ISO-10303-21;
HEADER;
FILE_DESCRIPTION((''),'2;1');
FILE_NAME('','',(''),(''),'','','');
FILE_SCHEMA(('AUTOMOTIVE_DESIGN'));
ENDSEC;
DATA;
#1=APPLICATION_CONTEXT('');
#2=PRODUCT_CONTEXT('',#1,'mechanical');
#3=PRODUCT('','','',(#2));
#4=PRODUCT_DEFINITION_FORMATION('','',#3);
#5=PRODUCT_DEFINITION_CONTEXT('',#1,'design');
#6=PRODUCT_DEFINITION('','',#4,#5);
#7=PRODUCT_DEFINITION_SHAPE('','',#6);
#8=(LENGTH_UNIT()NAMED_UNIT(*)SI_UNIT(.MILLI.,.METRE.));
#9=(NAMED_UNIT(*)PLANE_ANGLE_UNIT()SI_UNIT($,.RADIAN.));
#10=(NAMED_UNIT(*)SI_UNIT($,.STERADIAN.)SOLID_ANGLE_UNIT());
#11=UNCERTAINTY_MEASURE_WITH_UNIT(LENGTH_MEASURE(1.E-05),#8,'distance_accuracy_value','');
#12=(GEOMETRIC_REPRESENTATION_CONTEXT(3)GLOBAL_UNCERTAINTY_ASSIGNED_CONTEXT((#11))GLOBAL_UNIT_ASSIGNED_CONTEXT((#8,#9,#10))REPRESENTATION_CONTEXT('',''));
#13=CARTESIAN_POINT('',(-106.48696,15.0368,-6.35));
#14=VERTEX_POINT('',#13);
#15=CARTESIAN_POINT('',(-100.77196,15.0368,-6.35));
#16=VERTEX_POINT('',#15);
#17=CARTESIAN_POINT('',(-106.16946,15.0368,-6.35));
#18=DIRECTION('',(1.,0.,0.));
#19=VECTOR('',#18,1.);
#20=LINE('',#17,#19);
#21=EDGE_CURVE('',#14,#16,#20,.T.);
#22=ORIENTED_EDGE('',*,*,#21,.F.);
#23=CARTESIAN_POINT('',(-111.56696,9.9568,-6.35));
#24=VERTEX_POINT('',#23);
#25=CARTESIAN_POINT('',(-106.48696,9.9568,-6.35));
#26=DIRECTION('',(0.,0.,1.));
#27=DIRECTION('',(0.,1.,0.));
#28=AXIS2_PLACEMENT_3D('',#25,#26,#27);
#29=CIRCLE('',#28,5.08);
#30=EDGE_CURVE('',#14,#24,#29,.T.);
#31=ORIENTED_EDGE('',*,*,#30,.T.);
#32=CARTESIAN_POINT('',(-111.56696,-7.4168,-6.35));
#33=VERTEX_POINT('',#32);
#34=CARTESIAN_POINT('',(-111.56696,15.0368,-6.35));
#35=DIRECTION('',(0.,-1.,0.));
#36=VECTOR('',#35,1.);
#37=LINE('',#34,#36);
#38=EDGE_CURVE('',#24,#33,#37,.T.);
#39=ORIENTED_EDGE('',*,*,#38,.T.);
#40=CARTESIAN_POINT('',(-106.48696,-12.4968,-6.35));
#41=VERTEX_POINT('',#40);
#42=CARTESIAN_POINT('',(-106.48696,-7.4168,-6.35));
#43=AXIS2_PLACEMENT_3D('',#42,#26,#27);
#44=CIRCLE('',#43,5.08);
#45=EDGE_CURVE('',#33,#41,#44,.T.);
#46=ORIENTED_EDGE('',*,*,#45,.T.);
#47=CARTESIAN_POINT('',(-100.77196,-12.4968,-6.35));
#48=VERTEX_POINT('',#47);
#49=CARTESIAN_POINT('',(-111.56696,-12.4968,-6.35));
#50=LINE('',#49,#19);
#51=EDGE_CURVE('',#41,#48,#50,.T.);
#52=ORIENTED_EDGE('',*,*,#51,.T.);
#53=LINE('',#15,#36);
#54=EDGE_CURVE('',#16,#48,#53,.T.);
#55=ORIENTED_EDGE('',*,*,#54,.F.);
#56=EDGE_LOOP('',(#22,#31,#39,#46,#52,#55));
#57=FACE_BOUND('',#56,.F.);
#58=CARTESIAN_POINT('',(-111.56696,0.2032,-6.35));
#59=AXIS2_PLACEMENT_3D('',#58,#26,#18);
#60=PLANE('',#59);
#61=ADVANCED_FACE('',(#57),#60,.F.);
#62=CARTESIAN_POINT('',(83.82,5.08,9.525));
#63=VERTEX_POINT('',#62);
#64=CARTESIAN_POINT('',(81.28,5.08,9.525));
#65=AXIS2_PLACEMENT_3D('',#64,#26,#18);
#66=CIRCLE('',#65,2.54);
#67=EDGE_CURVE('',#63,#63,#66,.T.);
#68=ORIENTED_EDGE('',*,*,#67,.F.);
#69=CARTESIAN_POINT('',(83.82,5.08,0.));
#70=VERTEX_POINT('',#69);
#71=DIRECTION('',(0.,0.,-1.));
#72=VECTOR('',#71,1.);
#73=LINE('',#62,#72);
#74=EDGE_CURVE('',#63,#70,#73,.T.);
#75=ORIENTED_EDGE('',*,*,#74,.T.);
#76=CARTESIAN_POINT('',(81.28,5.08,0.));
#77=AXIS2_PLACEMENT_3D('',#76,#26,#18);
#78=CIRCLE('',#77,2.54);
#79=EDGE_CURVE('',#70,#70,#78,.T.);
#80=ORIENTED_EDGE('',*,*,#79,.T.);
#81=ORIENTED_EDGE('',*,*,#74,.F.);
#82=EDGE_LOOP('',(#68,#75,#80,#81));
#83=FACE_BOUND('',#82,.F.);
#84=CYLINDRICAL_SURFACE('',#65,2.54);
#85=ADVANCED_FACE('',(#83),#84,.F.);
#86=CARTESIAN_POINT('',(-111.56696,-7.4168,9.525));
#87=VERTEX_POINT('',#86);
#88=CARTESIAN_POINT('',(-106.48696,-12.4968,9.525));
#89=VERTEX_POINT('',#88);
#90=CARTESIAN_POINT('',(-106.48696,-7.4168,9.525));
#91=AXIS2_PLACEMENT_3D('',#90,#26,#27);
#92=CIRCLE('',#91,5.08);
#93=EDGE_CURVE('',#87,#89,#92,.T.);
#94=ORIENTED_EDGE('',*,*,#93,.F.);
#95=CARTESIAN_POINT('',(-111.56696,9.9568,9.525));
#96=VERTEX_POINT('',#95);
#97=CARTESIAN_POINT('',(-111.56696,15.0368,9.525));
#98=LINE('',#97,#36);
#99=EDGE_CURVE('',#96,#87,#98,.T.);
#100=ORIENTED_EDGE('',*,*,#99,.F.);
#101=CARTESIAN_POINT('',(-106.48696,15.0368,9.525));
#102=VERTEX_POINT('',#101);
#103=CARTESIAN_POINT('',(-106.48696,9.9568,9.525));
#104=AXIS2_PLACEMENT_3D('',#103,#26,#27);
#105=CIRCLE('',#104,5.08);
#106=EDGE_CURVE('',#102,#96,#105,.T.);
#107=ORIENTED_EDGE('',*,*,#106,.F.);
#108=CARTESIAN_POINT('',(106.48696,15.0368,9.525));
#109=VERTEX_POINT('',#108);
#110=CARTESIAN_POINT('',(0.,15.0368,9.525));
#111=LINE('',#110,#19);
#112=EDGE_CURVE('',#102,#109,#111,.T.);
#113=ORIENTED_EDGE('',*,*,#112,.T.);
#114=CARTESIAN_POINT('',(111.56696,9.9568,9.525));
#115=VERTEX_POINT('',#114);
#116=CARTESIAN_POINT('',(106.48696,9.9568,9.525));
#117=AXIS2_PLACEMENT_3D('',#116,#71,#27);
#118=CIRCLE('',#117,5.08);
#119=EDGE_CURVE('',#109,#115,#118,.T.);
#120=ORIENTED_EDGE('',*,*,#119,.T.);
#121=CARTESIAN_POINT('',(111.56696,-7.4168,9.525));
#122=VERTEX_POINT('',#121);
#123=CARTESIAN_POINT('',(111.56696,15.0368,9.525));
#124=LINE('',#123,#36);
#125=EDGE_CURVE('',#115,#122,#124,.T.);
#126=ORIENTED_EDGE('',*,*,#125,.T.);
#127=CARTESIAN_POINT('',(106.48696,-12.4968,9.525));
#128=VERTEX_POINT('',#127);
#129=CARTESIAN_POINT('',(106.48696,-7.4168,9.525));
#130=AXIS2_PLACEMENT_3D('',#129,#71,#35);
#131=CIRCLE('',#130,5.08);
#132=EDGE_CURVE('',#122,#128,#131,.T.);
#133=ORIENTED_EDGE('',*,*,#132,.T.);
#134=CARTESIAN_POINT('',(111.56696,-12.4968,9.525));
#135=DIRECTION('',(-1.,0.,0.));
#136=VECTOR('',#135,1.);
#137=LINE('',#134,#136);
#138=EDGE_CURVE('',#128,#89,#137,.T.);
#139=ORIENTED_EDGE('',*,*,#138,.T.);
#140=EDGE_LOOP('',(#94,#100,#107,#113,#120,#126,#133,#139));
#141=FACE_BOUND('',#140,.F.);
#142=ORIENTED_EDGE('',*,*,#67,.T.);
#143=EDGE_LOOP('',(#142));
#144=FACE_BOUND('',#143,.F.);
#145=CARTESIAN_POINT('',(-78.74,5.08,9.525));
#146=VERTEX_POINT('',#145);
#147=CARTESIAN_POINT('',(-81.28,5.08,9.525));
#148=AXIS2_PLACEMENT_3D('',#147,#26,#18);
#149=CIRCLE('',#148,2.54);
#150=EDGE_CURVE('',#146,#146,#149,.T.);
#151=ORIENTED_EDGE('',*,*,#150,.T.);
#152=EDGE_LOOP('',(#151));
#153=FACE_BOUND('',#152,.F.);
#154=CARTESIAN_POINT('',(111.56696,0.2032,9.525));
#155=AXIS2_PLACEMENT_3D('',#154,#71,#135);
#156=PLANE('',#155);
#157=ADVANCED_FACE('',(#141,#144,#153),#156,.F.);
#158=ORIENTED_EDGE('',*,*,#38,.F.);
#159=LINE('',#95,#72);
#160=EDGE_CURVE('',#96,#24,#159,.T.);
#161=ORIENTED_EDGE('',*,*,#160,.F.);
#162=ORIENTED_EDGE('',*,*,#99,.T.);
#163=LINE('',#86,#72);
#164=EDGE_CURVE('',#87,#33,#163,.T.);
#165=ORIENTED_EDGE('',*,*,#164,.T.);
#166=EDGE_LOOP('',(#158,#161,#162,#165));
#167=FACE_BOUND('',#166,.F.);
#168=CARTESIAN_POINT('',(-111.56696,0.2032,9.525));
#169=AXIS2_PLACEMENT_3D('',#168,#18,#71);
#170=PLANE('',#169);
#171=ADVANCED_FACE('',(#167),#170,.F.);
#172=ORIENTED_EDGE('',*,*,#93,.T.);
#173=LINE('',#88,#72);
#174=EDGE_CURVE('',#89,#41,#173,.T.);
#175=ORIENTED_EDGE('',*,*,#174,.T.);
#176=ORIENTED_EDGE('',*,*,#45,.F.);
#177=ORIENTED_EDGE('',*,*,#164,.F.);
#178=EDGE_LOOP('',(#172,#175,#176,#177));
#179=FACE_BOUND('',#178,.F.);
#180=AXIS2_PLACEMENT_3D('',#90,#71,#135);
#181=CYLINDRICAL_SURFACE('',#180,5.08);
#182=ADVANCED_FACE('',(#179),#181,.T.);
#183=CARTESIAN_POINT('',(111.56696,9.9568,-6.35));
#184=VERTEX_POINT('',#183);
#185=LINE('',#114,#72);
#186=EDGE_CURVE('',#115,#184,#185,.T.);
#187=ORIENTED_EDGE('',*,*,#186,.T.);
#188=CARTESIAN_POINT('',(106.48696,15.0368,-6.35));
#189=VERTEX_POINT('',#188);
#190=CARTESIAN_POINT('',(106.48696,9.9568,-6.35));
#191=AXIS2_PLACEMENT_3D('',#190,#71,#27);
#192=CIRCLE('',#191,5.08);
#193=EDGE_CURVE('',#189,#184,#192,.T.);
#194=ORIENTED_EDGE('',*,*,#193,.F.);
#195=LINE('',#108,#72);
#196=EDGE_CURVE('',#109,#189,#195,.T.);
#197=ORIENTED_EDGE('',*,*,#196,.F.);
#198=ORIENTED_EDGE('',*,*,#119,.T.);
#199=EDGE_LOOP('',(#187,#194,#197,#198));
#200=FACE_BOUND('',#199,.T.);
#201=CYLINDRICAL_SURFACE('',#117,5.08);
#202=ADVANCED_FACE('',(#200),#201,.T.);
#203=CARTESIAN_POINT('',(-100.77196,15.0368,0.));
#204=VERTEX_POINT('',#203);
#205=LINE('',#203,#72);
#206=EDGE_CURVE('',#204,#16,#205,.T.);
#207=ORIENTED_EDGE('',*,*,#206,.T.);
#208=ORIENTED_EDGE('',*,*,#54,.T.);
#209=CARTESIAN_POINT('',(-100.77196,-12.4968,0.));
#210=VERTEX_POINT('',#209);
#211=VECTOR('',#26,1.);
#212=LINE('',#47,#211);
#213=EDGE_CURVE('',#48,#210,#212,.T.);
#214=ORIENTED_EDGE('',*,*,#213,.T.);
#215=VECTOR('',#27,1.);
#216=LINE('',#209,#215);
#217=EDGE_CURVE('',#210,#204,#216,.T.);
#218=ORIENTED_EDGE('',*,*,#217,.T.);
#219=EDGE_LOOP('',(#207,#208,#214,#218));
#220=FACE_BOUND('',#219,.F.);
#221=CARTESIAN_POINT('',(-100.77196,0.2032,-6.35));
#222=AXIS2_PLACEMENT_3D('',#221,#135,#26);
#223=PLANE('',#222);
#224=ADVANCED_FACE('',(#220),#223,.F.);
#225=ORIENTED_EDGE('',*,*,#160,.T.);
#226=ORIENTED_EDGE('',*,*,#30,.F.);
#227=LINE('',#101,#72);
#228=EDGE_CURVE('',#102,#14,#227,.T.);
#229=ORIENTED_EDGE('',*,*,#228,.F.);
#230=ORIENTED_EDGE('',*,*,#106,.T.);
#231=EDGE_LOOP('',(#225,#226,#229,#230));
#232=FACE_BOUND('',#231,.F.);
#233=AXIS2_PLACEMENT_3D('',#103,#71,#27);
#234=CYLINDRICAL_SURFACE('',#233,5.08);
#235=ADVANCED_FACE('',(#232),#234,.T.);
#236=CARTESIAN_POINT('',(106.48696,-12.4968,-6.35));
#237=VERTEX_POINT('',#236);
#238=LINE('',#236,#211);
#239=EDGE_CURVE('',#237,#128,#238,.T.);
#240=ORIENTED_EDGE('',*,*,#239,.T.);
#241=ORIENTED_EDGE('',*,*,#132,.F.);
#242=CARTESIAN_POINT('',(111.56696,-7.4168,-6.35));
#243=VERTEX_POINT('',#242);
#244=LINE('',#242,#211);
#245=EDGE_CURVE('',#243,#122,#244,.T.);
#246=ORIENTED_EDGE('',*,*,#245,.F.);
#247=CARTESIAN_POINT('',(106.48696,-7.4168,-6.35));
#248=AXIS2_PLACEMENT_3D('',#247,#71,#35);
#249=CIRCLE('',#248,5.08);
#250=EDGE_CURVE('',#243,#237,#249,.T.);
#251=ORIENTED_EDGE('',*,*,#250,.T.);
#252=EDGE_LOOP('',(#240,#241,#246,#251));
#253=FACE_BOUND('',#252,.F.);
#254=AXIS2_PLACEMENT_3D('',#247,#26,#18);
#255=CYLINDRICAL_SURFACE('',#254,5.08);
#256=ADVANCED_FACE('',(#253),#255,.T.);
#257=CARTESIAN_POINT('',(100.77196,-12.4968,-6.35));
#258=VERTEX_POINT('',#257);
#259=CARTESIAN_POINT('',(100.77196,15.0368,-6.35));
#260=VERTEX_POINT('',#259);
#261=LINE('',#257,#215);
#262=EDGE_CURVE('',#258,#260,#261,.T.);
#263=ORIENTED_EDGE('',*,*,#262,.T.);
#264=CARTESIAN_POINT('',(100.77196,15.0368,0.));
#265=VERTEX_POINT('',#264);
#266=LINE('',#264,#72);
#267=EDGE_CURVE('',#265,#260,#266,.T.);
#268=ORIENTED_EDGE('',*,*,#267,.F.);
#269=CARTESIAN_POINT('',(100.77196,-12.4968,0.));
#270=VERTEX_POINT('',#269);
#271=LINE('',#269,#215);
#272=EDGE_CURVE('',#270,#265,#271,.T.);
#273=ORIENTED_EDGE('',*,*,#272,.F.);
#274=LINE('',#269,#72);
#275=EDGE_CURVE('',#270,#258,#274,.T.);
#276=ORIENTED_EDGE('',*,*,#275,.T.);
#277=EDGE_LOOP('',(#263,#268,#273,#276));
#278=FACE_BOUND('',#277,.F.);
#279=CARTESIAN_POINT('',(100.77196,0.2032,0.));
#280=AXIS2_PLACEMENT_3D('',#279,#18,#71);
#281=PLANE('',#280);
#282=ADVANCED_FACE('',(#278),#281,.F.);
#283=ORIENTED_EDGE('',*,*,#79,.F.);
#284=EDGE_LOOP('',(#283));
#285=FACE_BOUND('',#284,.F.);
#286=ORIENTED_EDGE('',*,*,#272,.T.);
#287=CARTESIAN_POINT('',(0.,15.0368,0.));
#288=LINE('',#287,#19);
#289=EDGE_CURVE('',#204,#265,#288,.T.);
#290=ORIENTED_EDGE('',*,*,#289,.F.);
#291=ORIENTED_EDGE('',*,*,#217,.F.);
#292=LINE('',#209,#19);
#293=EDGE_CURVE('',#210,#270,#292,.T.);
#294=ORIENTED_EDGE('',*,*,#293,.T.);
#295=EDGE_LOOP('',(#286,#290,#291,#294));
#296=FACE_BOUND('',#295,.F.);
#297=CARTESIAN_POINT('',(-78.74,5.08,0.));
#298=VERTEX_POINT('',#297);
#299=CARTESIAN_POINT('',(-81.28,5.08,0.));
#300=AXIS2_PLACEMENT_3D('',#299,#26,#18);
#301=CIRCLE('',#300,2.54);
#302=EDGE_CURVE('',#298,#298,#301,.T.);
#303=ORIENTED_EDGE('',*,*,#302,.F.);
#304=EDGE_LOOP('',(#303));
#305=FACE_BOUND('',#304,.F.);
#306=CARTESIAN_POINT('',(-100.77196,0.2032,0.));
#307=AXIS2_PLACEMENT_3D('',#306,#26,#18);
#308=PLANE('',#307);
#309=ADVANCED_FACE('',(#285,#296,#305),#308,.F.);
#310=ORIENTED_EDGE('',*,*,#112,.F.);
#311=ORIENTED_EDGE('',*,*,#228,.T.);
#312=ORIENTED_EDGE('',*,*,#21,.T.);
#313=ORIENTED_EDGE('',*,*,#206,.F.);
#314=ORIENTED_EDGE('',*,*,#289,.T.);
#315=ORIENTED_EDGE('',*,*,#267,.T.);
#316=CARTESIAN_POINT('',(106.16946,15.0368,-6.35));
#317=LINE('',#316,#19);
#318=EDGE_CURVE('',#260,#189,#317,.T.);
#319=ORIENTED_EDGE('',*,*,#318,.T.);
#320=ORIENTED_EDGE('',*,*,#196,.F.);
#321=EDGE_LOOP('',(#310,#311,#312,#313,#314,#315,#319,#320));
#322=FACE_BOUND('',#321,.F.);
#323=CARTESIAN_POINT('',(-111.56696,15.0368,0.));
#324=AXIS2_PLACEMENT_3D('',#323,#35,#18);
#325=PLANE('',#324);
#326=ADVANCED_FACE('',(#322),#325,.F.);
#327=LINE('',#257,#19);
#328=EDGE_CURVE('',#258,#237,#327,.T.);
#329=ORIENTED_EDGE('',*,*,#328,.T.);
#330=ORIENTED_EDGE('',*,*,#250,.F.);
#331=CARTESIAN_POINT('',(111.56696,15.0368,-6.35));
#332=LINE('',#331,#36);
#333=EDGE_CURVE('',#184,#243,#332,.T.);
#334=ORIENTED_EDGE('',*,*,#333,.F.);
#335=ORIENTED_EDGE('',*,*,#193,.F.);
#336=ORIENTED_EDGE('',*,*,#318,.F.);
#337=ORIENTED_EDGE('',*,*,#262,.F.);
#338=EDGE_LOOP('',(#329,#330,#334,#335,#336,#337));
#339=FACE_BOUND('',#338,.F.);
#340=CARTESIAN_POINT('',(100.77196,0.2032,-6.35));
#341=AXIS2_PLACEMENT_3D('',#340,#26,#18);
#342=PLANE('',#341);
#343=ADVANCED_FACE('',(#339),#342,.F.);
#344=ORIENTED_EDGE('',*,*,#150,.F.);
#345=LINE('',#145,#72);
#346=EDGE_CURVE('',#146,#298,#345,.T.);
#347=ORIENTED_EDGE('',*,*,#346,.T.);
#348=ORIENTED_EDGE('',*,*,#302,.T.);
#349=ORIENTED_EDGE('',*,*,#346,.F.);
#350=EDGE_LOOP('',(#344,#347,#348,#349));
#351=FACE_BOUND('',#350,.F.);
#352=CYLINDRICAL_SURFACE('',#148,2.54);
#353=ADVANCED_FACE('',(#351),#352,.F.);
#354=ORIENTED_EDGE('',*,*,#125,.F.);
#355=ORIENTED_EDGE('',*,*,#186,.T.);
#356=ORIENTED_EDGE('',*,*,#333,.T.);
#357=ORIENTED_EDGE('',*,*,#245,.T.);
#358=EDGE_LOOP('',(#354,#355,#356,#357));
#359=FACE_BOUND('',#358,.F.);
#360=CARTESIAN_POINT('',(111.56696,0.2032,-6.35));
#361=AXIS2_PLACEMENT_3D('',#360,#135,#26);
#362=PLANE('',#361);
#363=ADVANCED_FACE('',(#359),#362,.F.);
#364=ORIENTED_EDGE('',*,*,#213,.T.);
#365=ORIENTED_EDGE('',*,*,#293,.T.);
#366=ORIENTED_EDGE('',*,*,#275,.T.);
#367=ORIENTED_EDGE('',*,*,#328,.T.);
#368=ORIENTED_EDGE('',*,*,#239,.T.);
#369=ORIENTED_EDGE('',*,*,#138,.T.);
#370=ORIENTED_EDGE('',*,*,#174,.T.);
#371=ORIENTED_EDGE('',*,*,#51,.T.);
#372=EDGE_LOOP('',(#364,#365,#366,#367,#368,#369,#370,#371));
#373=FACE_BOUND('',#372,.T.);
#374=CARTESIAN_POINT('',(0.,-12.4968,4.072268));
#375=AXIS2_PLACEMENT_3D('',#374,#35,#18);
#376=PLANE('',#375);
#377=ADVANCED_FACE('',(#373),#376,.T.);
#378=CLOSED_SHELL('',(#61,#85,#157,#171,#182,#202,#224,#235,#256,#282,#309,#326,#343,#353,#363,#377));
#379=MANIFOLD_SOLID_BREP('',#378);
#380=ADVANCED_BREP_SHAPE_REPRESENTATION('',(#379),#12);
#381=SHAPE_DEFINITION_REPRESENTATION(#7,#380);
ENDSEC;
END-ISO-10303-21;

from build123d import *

# Parameters (mm, degrees)
F0_W     = 223.13392
F0_H     = 14.8336
F1_DEPTH = 9.525
F2_R     = 2.54
F3_DEPTH = 9.526
F4_W     = 10.795
F4_H     = 14.8336
F5_DEPTH = 6.35
F7_DEPTH = 12.7
F8_R     = 5.08


with BuildPart() as f1:
    # F0 (on Top) → F1 (new body)
    with BuildSketch(Plane.XY):
        with Locations((0, 7.62)):
            Rectangle(F0_W, F0_H)
    extrude(amount=F1_DEPTH)

    # F2 (on face) → F3 (cut, through all)
    with BuildSketch(Plane.XY.offset(9.525)):
        with Locations((-81.28, 5.08)):
            Circle(F2_R)
        with Locations((81.28, 5.08)):
            Circle(F2_R)
    extrude(amount=-F3_DEPTH, mode=Mode.SUBTRACT)

    # F4 (on face) → F5 (join)
    with BuildSketch(Plane(origin=(0, 0, 0), x_dir=(1, 0, 0), z_dir=(0, 0, -1))):
        with Locations((-106.16946, -7.62)):
            Rectangle(F4_W, F4_H)
        with Locations((106.16946, -7.62)):
            Rectangle(F4_W, F4_H)
    extrude(amount=F5_DEPTH)

    # F6 (on face) → F7 (join)
    with BuildSketch(Plane.XZ.offset(-0.2032)):
        Polygon((100.77196, -6.35), (111.56696, -6.35), (111.56696, 9.525), (-111.56696, 9.525), (-111.56696, -6.35), (-100.77196, -6.35), (-100.77196, 0), (100.77196, 0), align=None)
    extrude(amount=F7_DEPTH)

    # F8
    f8_edges = [f1.edges().sort_by_distance(p)[0] for p in [
        (111.56696, -12.4968, 1.5875),
        (111.56696, 15.0368, 1.5875),
        (-111.56696, -12.4968, 1.5875),
        (-111.56696, 15.0368, 1.5875),
    ]]
    fillet(f8_edges, radius=F8_R)


solid = f1.part
